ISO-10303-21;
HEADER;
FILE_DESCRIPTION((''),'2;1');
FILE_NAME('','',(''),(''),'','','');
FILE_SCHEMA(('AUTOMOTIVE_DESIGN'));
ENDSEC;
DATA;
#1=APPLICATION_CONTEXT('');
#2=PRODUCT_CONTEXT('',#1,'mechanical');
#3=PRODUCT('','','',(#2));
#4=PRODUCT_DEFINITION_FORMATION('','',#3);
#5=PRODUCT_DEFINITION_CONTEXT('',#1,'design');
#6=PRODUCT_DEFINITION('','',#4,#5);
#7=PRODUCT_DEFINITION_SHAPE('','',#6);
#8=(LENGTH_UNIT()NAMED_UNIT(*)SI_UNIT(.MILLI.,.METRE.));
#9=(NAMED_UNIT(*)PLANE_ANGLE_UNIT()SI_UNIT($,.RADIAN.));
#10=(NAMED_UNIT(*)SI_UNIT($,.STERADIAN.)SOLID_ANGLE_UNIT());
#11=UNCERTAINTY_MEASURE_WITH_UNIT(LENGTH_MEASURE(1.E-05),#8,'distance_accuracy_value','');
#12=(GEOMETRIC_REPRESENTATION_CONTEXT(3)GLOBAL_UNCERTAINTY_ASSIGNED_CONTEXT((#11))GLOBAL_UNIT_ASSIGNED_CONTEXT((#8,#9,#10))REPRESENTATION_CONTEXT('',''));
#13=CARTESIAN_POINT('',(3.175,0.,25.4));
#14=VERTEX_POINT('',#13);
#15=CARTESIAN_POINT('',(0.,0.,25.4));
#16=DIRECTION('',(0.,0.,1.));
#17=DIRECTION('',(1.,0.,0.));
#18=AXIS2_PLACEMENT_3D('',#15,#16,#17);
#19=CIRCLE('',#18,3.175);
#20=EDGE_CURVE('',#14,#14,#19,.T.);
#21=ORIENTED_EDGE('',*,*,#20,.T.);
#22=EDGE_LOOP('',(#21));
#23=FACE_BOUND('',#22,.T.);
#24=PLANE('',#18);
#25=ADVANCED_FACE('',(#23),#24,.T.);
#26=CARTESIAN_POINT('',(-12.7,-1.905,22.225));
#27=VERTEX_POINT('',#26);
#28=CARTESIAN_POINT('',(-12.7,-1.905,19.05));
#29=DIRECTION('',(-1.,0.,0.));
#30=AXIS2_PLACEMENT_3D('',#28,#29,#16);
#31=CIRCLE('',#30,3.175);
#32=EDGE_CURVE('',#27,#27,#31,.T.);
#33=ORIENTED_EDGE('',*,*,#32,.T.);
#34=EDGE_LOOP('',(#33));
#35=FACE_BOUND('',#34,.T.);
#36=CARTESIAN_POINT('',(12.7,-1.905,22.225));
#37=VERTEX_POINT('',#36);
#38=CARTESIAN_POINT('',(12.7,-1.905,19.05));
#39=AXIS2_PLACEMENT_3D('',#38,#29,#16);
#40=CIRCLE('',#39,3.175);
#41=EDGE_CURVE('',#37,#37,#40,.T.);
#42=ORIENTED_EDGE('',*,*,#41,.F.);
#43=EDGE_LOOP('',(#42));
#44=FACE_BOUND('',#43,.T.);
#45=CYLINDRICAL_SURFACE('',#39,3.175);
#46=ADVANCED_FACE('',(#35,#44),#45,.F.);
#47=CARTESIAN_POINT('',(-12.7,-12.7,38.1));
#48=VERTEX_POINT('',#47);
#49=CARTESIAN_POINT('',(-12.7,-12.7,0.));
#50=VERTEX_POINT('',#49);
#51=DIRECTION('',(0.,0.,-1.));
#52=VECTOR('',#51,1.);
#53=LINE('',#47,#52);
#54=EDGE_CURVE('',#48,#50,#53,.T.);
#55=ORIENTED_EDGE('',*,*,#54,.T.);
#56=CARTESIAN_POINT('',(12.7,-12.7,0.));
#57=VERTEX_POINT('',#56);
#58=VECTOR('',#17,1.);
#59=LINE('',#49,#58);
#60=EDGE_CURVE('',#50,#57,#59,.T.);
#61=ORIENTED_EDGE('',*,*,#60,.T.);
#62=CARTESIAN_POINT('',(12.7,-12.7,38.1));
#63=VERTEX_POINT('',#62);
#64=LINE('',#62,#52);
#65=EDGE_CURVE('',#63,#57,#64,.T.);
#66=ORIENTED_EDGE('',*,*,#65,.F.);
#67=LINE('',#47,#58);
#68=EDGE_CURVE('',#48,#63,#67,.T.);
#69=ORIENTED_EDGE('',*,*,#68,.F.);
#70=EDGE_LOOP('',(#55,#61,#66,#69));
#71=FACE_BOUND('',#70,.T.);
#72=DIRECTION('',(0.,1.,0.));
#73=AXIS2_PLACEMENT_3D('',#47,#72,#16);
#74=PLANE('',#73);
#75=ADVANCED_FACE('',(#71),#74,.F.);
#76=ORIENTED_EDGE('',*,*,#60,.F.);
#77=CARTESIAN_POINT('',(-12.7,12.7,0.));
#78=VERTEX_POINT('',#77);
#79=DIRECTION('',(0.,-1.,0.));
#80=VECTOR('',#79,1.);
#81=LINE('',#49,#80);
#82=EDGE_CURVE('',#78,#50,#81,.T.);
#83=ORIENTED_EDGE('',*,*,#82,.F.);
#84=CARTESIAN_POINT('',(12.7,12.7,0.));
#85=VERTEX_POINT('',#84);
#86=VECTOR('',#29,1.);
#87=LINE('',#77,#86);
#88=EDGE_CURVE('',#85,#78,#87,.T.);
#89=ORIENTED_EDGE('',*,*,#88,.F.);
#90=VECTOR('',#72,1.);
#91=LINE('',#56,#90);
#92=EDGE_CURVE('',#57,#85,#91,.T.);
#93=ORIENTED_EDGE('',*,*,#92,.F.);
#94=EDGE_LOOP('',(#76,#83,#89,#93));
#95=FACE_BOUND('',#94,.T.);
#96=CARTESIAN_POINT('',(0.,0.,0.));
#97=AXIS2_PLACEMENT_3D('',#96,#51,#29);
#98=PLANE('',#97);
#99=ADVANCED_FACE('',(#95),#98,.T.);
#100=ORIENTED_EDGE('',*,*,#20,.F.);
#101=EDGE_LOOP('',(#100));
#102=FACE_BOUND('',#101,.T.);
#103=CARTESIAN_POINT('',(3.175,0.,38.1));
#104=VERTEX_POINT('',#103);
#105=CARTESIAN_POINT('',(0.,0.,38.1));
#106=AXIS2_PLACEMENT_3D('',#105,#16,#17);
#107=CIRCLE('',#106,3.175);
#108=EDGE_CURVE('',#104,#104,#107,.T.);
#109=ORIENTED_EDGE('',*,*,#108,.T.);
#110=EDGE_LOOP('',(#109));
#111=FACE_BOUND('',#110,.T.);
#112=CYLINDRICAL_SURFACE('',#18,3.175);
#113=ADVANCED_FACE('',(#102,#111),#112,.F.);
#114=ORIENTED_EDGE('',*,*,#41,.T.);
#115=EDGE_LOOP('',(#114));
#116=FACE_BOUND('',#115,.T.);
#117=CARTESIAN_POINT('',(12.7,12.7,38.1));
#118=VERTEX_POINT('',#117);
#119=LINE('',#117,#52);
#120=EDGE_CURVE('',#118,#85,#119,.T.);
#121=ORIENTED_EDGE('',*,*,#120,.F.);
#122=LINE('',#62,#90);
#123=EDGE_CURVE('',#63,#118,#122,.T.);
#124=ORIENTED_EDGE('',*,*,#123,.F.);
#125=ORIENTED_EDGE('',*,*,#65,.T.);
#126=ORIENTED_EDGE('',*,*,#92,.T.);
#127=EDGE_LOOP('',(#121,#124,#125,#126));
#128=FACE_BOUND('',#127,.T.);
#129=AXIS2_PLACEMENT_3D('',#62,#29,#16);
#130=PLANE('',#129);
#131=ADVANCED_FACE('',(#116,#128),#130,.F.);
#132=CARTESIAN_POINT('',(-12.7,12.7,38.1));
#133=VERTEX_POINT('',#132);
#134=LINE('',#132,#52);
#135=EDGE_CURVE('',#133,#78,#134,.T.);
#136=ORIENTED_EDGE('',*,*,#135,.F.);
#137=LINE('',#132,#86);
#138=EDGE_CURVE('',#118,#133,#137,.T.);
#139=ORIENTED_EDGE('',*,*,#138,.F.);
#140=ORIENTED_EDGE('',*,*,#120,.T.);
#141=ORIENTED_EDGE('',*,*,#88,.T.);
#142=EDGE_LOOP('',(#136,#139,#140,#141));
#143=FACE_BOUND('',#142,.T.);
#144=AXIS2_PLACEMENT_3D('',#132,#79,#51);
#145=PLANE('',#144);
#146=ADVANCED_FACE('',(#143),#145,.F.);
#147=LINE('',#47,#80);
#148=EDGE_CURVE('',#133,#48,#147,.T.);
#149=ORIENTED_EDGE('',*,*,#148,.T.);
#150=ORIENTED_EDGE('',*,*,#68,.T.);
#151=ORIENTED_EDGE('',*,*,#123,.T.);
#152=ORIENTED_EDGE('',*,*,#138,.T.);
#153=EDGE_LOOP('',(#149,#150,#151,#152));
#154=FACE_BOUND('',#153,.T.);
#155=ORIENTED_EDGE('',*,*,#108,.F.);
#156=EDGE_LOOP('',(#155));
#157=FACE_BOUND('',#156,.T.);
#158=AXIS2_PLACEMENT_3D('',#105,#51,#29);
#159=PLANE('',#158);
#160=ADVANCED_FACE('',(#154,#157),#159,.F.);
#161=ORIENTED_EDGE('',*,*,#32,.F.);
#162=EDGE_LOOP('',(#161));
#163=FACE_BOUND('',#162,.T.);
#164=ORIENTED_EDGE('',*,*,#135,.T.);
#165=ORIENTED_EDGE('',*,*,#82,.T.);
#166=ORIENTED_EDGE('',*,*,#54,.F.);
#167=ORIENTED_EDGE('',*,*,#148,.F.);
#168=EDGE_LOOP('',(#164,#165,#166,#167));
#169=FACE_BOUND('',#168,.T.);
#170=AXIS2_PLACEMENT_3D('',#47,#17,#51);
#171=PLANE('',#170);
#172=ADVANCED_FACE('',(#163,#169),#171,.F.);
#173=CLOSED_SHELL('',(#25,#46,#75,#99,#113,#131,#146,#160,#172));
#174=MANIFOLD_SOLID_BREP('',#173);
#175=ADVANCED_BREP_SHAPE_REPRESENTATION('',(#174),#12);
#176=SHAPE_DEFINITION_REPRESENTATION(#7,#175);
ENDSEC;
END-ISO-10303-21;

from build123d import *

# Parameters (mm, degrees)
SKETCH1_W           = 25.4
SKETCH1_H           = 25.4
BOSS_EXTRUDE1_DEPTH = 38.1
SKETCH3_R           = 3.175
CUT_EXTRUDE1_DEPTH  = 12.7
SKETCH2_R           = 3.175
CUT_EXTRUDE2_DEPTH  = 48.519048812


with BuildPart() as part:
    # Sketch1 → Boss-Extrude1 (new body)
    with BuildSketch(Plane.XY):
        Rectangle(SKETCH1_W, SKETCH1_H)
    extrude(amount=BOSS_EXTRUDE1_DEPTH)

    # Sketch3 → Cut-Extrude1 (cut)
    with BuildSketch(Plane.XY.offset(38.1)):
        Circle(SKETCH3_R)
    extrude(amount=-CUT_EXTRUDE1_DEPTH, mode=Mode.SUBTRACT)

    # Sketch2 → Cut-Extrude2 (cut, through all)
    with BuildSketch(Plane.ZY.offset(12.7)):
        with Locations((19.05, -1.905)):
            Circle(SKETCH2_R)
    extrude(amount=-CUT_EXTRUDE2_DEPTH, mode=Mode.SUBTRACT)


solid = part.part
